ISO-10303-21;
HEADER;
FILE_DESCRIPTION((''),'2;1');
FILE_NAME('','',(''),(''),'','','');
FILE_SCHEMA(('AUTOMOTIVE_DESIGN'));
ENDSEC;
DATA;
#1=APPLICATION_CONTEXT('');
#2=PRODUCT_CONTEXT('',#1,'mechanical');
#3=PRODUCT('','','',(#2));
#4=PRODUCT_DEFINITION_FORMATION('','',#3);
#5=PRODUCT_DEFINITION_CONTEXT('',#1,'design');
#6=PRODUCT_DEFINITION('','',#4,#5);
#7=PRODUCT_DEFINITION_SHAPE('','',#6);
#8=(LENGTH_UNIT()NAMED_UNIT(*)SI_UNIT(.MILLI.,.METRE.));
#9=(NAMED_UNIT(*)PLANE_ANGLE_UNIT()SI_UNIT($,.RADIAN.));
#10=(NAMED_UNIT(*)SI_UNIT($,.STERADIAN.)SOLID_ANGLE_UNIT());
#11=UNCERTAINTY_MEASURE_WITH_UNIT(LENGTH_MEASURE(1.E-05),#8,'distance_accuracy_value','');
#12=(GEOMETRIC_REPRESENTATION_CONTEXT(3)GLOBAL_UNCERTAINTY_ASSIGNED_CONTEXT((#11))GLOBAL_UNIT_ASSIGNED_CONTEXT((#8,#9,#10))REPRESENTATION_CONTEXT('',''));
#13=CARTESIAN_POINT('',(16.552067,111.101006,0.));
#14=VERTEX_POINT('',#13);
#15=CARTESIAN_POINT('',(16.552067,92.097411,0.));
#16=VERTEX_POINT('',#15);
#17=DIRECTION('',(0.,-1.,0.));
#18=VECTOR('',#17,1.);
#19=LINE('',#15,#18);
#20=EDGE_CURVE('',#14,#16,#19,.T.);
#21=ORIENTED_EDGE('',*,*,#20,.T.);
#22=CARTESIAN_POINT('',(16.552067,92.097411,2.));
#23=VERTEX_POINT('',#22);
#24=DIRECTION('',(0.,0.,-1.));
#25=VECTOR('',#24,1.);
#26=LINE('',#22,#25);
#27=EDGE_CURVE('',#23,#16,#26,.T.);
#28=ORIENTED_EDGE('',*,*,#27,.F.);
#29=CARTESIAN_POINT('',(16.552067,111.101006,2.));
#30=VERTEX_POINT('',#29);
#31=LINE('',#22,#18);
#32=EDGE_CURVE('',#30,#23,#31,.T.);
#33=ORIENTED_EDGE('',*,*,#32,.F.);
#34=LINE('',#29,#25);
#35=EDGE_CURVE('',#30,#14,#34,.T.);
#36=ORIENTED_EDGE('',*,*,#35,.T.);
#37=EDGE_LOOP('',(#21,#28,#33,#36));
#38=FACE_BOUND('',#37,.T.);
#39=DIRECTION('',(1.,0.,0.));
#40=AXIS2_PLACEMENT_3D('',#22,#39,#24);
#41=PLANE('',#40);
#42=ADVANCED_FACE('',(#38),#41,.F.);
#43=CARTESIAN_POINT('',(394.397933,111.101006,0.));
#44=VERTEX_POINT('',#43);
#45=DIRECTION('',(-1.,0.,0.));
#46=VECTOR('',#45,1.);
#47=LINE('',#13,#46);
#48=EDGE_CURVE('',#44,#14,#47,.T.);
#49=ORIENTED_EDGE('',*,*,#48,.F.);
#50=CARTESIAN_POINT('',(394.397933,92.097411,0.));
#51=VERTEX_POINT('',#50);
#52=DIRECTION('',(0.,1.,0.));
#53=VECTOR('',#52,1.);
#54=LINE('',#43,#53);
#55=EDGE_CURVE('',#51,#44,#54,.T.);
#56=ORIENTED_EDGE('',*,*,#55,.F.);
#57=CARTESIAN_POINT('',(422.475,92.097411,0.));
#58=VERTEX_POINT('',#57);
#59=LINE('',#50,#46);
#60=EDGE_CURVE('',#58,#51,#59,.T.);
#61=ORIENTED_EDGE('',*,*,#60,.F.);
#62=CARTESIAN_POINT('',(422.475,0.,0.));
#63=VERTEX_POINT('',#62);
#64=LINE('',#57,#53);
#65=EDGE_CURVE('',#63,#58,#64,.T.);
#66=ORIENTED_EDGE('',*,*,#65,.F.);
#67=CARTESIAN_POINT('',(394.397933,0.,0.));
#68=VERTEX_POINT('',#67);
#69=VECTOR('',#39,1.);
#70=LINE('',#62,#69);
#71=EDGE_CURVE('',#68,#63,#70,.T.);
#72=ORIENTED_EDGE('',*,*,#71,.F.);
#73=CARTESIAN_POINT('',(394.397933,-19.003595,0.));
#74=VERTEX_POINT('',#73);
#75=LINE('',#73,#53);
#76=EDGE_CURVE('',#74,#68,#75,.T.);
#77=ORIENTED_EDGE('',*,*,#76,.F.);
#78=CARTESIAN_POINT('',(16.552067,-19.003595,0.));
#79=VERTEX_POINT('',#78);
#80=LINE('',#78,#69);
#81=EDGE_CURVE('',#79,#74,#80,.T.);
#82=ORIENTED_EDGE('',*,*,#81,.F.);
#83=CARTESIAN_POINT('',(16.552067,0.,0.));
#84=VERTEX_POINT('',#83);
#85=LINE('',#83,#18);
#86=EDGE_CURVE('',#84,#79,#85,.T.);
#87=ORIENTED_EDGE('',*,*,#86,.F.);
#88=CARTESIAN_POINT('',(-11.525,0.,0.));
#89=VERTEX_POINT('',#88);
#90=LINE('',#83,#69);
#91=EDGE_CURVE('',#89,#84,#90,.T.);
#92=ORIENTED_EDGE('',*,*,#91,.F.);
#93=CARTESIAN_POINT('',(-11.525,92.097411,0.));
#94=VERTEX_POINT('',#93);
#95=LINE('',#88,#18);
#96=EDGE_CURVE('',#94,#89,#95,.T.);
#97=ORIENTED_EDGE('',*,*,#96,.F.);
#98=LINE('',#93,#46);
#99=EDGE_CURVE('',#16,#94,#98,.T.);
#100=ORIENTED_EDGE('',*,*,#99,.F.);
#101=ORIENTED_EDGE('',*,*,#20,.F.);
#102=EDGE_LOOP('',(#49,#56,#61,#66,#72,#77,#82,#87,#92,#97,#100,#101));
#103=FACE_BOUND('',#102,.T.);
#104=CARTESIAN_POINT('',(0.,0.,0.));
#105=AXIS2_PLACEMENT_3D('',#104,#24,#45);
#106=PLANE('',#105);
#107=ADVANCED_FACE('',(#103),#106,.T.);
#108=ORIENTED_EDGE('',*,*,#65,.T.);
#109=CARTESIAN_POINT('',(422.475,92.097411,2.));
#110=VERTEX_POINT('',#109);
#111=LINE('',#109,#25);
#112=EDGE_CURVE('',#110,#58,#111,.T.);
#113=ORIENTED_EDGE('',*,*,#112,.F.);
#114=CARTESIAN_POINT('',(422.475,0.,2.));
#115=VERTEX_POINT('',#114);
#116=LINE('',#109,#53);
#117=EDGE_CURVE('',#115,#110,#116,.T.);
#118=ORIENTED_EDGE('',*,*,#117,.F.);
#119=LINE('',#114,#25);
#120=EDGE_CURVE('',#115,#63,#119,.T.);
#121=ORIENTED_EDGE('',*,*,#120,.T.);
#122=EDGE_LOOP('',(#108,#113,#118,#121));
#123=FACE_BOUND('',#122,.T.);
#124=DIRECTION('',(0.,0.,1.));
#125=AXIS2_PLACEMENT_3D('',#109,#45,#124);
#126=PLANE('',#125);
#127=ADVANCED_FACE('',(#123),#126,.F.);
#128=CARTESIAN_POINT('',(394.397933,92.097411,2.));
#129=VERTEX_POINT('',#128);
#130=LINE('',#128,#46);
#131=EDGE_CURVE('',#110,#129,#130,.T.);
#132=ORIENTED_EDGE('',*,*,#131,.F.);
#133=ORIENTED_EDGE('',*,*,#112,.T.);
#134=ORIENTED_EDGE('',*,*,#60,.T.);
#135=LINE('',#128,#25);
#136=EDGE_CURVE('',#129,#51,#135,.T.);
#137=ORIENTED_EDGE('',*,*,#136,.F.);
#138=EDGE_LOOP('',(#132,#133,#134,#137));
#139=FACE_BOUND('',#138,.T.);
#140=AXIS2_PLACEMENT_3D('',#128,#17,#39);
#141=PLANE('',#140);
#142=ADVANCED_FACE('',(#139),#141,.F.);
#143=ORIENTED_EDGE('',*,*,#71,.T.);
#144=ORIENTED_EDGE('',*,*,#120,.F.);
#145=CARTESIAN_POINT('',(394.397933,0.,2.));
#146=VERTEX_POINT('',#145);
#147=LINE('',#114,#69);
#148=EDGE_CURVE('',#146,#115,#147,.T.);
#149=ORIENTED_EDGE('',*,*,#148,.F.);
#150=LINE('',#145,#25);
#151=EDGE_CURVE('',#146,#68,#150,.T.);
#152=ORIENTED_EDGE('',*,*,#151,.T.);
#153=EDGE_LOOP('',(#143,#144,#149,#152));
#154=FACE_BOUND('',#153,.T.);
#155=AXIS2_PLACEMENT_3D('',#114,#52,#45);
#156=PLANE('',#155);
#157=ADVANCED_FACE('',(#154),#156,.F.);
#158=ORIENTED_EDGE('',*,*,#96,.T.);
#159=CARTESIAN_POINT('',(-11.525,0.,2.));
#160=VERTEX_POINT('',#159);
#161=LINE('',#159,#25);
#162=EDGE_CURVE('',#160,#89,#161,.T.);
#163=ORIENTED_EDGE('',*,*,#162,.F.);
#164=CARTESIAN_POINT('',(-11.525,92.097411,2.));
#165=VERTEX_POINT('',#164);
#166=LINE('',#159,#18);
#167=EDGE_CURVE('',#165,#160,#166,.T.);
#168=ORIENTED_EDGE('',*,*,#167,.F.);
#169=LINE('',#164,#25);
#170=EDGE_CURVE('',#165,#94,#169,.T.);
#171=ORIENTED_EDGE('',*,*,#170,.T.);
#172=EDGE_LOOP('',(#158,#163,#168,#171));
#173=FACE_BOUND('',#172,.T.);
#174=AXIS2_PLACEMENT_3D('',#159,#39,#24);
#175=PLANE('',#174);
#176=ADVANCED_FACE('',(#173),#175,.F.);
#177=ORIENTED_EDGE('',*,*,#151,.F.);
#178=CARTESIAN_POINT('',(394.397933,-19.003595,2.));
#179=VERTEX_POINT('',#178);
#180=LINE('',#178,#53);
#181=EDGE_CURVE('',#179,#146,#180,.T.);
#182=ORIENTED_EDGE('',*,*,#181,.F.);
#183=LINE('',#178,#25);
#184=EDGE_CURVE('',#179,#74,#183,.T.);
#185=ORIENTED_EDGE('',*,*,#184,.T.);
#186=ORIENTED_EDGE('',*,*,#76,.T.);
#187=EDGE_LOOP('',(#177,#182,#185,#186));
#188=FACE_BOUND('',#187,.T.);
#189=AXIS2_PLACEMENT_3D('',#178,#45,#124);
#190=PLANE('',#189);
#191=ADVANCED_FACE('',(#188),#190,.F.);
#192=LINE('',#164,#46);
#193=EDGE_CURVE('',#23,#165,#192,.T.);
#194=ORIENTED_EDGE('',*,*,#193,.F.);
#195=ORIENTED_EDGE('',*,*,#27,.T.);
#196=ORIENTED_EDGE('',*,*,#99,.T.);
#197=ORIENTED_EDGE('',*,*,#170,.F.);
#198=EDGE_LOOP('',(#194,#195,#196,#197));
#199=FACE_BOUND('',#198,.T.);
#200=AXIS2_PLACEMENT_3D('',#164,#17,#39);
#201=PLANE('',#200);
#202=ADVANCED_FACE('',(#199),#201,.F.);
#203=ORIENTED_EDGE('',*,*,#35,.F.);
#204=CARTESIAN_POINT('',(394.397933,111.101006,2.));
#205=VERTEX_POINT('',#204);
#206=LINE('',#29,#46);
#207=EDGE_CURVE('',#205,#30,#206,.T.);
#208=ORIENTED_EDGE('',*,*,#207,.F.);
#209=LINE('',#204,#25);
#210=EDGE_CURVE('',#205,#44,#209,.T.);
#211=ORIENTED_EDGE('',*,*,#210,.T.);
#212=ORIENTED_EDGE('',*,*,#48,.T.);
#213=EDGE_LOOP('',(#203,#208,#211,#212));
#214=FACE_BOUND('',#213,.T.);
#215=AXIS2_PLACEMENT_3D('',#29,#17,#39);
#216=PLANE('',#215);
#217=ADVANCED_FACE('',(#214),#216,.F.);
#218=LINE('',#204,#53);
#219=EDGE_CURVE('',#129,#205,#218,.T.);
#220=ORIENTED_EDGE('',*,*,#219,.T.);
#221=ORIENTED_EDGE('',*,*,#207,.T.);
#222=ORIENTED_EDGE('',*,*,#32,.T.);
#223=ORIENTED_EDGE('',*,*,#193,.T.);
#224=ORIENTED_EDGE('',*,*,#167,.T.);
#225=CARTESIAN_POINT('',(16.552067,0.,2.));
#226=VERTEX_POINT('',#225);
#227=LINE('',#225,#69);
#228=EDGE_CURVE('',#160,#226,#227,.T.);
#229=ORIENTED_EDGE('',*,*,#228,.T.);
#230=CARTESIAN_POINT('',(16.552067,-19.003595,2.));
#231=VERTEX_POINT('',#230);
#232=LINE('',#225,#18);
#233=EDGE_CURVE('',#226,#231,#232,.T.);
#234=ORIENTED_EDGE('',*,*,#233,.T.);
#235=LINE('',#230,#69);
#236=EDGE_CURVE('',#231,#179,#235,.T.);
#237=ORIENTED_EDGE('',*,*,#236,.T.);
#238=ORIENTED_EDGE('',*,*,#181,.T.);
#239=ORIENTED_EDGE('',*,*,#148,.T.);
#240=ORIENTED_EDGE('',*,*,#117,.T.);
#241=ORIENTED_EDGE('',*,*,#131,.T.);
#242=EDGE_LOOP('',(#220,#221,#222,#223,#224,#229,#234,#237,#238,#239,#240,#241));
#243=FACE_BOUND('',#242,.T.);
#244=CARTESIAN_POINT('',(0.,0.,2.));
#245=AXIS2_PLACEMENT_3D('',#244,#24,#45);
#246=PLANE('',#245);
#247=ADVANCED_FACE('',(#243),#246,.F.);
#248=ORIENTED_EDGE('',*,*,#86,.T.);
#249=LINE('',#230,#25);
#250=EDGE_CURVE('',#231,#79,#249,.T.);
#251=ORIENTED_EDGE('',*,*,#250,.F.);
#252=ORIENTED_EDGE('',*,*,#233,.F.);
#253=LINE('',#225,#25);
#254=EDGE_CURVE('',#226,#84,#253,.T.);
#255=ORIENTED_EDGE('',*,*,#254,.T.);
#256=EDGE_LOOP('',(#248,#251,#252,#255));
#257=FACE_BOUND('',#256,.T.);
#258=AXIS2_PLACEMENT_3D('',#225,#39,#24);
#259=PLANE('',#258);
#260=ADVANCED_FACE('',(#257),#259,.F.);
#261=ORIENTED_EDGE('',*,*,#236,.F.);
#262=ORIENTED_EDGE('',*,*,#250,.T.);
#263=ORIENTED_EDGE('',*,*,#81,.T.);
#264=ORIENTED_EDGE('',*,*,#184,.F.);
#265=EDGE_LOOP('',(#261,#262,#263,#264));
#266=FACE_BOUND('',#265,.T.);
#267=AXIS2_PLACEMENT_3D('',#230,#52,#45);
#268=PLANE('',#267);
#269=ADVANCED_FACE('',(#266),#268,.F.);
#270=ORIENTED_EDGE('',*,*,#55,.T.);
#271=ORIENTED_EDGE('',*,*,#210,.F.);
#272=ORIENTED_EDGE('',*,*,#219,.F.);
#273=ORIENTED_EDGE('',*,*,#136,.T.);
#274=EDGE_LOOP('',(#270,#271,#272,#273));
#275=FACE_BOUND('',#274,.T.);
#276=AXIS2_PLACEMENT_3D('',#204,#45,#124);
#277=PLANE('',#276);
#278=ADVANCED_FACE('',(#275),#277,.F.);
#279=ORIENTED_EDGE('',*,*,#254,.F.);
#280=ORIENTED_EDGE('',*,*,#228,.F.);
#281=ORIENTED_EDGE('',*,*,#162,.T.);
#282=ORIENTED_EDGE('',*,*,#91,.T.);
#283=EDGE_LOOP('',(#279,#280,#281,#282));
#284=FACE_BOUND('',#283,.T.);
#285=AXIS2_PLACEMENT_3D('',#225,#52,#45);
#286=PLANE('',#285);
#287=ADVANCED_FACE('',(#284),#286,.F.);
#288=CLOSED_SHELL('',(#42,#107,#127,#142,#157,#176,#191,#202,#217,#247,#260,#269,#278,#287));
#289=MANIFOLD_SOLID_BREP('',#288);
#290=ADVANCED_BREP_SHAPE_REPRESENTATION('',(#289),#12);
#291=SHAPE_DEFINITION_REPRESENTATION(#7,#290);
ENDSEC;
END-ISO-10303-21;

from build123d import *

# Parameters (mm, degrees)
BOSS_EXTRUDE1_DEPTH = 2


with BuildPart() as part:
    # Sketch1 → Boss-Extrude1 (new body)
    with BuildSketch(Plane.XY):
        Polygon((-11.525, 92.097410502), (16.552067079, 92.097410502), (16.552067079, 111.10100566), (394.397932921, 111.10100566), (394.397932921, 92.097410502), (422.475, 92.097410502), (422.475, 0), (394.397932921, 0), (394.397932921, -19.003595157), (16.552067079, -19.003595157), (16.552067079, 0), (-11.525, 0), align=None)
    extrude(amount=BOSS_EXTRUDE1_DEPTH)


solid = part.part
